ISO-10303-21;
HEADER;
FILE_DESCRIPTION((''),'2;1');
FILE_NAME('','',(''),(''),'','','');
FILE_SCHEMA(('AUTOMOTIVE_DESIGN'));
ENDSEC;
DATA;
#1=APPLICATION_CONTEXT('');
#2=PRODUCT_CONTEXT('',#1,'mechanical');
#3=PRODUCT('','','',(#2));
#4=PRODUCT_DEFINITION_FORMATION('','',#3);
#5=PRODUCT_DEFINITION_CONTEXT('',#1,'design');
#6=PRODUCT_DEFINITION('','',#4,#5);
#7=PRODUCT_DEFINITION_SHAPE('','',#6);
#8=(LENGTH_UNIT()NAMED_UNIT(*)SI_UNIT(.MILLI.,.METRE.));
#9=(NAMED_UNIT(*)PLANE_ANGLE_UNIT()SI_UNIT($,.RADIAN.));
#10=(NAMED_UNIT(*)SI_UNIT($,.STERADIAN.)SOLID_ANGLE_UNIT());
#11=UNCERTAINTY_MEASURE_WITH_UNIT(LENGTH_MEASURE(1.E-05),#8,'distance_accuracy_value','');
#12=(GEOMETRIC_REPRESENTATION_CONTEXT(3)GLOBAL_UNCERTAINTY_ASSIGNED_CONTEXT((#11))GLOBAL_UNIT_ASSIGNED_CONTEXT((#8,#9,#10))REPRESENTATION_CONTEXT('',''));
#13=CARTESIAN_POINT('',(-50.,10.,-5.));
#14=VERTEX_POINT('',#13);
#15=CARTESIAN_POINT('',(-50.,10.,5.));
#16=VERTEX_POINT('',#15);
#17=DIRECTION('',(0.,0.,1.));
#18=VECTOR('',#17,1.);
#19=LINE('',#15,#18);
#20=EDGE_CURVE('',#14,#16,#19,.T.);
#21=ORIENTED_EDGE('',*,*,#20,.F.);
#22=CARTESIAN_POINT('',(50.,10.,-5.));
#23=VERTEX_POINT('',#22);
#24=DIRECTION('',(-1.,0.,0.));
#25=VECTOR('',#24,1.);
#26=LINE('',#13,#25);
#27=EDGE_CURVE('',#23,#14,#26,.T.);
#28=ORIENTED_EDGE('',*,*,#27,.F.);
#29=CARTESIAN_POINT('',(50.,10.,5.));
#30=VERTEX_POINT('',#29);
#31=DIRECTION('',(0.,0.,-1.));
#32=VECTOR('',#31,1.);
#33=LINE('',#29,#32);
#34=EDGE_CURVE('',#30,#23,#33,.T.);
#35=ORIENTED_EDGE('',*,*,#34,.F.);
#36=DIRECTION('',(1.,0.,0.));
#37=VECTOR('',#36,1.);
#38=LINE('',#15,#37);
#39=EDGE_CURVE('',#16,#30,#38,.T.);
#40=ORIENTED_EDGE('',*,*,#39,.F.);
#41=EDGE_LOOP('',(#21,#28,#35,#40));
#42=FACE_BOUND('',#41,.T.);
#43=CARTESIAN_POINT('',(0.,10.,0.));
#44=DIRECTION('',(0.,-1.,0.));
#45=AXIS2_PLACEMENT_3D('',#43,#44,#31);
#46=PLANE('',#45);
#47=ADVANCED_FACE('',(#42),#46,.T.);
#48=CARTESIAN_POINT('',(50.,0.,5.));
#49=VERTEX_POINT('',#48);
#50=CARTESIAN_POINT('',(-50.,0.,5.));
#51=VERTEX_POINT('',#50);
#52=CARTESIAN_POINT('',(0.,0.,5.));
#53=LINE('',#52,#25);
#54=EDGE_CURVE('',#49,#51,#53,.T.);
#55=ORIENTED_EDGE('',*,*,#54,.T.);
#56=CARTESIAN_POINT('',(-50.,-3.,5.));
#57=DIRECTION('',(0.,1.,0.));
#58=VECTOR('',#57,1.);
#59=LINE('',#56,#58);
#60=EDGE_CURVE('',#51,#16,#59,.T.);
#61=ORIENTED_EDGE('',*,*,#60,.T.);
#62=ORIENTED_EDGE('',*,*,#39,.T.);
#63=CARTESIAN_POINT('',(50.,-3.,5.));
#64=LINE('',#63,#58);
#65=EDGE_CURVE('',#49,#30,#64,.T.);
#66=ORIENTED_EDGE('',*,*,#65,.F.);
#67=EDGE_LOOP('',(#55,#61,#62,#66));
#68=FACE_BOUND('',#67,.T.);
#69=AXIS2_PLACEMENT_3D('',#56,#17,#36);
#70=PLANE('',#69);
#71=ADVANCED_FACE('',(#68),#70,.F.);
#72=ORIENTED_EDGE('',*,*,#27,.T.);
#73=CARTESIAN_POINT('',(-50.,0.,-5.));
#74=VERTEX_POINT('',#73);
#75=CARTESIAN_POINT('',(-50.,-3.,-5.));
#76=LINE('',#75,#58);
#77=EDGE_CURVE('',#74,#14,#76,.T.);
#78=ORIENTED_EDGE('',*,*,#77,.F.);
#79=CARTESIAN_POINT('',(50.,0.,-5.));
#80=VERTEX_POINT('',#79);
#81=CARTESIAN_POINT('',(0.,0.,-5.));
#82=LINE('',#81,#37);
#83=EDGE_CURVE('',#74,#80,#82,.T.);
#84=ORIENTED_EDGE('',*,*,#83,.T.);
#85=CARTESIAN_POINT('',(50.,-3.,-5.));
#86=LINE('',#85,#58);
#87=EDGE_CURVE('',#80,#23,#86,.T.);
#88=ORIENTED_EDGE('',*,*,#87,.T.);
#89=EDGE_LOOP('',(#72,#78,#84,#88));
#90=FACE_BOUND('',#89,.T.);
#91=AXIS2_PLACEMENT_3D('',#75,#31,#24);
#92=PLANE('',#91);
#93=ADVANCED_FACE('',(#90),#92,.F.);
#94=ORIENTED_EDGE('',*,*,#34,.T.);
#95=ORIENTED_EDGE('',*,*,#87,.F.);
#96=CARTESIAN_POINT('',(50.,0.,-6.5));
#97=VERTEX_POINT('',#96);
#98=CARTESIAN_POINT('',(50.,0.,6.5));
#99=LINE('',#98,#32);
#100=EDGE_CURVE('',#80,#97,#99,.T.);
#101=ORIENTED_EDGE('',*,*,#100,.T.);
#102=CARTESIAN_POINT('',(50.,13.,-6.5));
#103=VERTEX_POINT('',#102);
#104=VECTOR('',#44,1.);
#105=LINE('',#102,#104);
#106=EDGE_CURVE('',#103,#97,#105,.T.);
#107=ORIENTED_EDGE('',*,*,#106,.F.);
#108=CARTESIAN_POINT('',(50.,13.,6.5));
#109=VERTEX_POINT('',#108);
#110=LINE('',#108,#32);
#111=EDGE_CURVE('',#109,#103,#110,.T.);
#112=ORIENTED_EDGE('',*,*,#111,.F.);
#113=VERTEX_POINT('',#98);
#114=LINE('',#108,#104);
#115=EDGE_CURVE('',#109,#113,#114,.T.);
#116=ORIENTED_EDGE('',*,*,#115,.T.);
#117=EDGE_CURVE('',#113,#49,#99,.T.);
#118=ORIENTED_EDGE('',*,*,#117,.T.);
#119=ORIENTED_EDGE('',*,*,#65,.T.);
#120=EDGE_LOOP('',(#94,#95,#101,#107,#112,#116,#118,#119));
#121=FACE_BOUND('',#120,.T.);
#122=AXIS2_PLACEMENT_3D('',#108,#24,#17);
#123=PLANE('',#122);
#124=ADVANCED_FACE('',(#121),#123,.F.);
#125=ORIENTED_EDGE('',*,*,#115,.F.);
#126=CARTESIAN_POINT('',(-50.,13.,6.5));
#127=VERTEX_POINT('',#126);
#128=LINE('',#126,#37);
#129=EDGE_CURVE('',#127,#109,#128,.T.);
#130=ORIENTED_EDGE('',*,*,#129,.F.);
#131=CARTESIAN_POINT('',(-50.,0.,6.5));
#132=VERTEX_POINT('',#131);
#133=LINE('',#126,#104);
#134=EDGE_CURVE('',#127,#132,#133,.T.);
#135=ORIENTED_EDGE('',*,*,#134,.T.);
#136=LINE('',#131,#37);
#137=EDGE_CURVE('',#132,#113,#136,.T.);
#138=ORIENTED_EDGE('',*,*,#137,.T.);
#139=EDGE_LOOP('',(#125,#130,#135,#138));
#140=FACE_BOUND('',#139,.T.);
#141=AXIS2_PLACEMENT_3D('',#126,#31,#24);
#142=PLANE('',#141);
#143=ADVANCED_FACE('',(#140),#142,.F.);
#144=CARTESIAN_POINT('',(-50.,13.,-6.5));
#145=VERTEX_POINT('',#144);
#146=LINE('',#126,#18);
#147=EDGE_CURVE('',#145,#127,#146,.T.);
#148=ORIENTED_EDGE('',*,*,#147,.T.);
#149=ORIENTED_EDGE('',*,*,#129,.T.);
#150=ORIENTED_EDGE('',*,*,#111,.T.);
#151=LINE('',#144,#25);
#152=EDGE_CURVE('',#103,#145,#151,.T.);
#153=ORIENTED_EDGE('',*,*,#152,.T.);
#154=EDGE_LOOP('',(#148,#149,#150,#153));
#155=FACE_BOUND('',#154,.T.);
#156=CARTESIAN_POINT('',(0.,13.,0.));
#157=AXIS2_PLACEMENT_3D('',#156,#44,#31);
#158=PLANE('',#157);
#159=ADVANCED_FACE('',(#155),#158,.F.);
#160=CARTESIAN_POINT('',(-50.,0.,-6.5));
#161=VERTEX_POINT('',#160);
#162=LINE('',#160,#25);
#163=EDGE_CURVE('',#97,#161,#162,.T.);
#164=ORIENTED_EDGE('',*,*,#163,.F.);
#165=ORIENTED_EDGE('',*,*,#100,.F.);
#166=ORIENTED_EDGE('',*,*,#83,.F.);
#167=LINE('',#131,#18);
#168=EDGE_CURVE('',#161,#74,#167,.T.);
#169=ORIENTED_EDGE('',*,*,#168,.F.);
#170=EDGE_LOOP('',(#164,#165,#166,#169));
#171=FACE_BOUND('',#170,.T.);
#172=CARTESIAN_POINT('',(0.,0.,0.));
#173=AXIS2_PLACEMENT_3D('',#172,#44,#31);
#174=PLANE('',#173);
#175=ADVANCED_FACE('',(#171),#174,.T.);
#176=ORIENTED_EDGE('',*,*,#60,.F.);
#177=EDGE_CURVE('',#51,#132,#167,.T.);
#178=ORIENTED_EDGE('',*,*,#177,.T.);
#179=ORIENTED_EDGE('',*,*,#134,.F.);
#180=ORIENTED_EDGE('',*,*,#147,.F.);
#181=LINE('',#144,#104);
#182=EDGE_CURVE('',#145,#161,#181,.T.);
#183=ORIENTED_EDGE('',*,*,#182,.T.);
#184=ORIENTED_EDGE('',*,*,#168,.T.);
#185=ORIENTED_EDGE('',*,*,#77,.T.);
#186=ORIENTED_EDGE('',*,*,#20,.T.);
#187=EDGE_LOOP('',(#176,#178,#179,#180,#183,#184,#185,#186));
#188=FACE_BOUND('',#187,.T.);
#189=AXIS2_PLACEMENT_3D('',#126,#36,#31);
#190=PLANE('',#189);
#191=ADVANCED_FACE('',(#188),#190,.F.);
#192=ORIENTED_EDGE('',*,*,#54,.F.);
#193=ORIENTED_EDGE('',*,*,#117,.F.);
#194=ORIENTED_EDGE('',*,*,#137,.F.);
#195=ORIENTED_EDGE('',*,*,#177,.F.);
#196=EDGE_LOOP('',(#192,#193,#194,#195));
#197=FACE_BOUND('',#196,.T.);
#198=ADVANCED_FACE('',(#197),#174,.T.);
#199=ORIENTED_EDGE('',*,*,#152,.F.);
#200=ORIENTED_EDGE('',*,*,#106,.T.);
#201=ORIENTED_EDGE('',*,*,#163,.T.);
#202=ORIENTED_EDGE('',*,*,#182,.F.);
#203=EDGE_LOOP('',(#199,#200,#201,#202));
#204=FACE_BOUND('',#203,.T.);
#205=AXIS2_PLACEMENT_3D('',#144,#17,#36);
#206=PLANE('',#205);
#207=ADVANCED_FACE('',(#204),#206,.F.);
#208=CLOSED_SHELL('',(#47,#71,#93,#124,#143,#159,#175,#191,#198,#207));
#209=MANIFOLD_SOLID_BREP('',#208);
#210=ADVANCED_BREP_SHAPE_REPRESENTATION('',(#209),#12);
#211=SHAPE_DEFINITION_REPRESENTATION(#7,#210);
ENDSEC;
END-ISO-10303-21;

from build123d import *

# Parameters (mm, degrees)
SKETCH1_W           = 100
SKETCH1_H           = 13
BOSS_EXTRUDE1_DEPTH = 13
SKETCH2_W           = 100
SKETCH2_H           = 10
CUT_EXTRUDE1_DEPTH  = 13


with BuildPart() as part:
    # Sketch1 → Boss-Extrude1 (new body)
    with BuildSketch(Plane(origin=(0, 0, 0), x_dir=(1, 0, 0), z_dir=(0, 1, 0))):
        Rectangle(SKETCH1_W, SKETCH1_H)
    extrude(amount=BOSS_EXTRUDE1_DEPTH)

    # Sketch2 → Cut-Extrude1 (cut)
    with BuildSketch(Plane(origin=(0, 10, 0), x_dir=(1, 0, 0), z_dir=(0, 1, 0))):
        Rectangle(SKETCH2_W, SKETCH2_H)
    extrude(amount=-CUT_EXTRUDE1_DEPTH, mode=Mode.SUBTRACT)


solid = part.part
